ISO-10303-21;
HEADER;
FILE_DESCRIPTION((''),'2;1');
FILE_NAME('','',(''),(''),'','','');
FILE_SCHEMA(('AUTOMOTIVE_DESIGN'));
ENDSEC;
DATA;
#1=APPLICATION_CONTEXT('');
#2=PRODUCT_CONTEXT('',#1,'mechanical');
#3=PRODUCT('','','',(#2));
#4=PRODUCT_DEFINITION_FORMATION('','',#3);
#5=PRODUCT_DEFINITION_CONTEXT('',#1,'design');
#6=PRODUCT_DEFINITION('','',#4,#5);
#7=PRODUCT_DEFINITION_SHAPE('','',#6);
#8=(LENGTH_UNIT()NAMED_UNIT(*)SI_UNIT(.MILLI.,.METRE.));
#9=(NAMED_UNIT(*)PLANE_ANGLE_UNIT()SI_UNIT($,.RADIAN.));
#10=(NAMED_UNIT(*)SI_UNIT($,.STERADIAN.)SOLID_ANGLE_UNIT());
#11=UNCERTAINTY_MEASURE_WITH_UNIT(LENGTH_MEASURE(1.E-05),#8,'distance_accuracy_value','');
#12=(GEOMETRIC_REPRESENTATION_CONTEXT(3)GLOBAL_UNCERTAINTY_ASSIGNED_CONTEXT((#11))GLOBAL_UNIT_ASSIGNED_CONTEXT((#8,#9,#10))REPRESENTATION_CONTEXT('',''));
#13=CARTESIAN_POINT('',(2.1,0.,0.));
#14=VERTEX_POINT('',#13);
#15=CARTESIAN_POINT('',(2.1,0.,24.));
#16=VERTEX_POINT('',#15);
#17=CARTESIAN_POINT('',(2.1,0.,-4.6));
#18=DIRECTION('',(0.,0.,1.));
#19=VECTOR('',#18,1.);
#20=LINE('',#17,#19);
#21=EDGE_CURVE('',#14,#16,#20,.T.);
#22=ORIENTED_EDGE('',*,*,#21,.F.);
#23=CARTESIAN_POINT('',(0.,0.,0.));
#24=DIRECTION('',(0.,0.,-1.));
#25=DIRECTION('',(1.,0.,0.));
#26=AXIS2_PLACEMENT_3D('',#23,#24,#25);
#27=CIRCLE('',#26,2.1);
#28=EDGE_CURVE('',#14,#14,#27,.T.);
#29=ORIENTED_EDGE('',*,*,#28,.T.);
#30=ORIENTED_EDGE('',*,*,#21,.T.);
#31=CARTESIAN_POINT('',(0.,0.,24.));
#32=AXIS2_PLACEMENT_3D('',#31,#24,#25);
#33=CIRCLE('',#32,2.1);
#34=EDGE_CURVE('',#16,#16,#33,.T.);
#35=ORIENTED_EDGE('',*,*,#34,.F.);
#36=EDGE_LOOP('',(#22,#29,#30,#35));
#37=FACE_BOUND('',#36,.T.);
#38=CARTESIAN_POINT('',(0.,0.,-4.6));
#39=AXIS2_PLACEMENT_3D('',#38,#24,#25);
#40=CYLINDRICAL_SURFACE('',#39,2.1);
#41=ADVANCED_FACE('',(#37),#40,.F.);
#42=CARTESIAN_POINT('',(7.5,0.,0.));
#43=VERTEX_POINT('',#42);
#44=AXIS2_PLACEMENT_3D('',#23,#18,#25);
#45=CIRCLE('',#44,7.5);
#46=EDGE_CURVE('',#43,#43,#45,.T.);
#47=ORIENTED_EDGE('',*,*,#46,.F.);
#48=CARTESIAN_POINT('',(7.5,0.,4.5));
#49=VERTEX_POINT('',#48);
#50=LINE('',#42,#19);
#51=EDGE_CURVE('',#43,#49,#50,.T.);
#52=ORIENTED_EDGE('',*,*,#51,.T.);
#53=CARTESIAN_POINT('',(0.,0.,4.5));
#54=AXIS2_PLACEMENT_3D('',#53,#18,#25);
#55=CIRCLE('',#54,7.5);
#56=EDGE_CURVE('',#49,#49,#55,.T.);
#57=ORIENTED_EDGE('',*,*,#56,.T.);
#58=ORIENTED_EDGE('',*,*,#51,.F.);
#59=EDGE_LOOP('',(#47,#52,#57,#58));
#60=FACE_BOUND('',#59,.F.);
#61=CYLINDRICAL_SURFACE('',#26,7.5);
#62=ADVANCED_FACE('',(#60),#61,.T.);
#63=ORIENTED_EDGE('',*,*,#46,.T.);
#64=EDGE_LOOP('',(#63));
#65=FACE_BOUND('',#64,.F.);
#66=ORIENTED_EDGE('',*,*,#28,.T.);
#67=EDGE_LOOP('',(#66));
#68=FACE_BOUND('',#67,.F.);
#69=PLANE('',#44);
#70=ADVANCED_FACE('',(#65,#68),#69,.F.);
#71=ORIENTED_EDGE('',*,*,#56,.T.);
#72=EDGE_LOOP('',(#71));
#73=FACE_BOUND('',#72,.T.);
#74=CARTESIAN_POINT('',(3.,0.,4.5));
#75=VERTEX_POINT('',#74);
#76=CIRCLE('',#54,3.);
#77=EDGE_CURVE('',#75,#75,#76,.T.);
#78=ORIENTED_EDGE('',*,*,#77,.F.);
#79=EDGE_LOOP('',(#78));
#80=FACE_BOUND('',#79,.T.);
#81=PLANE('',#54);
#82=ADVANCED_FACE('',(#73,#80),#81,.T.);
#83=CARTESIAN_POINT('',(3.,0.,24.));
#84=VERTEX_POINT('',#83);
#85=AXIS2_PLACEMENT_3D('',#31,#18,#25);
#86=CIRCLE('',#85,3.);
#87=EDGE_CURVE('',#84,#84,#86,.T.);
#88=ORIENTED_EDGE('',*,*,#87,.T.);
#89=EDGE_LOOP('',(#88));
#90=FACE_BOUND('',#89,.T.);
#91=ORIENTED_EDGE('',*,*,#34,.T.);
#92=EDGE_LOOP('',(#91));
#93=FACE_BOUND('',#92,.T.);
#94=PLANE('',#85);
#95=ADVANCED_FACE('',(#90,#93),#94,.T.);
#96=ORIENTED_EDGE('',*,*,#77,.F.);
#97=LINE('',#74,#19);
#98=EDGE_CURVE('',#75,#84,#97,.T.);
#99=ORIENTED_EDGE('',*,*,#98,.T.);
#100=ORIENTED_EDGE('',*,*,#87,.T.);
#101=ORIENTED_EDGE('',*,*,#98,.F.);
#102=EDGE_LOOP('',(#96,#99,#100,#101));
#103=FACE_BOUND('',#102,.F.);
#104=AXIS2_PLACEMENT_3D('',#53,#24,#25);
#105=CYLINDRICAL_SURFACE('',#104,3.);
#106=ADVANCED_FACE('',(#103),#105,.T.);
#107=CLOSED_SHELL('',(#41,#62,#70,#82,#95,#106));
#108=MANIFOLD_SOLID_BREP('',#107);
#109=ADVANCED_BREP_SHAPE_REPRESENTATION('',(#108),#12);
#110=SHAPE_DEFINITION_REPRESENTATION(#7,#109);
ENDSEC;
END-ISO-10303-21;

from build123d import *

# Parameters (mm, degrees)
CYLINDER034_R     = 2.1
CYLINDER034_DEPTH = 33.5
CYLINDER033_R     = 3
CYLINDER033_DEPTH = 19.5
CYLINDER035_R     = 7.5
CYLINDER035_DEPTH = 4.5


with BuildPart() as cylinder034:
    # Cylinder034 → Cylinder034 (new body)
    with BuildSketch(Plane.XY.offset(-4.6)):
        Circle(CYLINDER034_R)
    extrude(amount=CYLINDER034_DEPTH)


with BuildPart() as cylinder033:
    # Cylinder033 → Cylinder033 (new body)
    with BuildSketch(Plane.XY.offset(4.5)):
        Circle(CYLINDER033_R)
    extrude(amount=CYLINDER033_DEPTH)


with BuildPart() as cut027:
    # Cylinder035 → Cylinder035 (new body)
    with BuildSketch(Plane.XY):
        Circle(CYLINDER035_R)
    extrude(amount=CYLINDER035_DEPTH)

    # Fusion007: union Cylinder033
    add(cylinder033.part)

    # Cut027: cut Cylinder034
    add(cylinder034.part, mode=Mode.SUBTRACT)


solid = cut027.part
